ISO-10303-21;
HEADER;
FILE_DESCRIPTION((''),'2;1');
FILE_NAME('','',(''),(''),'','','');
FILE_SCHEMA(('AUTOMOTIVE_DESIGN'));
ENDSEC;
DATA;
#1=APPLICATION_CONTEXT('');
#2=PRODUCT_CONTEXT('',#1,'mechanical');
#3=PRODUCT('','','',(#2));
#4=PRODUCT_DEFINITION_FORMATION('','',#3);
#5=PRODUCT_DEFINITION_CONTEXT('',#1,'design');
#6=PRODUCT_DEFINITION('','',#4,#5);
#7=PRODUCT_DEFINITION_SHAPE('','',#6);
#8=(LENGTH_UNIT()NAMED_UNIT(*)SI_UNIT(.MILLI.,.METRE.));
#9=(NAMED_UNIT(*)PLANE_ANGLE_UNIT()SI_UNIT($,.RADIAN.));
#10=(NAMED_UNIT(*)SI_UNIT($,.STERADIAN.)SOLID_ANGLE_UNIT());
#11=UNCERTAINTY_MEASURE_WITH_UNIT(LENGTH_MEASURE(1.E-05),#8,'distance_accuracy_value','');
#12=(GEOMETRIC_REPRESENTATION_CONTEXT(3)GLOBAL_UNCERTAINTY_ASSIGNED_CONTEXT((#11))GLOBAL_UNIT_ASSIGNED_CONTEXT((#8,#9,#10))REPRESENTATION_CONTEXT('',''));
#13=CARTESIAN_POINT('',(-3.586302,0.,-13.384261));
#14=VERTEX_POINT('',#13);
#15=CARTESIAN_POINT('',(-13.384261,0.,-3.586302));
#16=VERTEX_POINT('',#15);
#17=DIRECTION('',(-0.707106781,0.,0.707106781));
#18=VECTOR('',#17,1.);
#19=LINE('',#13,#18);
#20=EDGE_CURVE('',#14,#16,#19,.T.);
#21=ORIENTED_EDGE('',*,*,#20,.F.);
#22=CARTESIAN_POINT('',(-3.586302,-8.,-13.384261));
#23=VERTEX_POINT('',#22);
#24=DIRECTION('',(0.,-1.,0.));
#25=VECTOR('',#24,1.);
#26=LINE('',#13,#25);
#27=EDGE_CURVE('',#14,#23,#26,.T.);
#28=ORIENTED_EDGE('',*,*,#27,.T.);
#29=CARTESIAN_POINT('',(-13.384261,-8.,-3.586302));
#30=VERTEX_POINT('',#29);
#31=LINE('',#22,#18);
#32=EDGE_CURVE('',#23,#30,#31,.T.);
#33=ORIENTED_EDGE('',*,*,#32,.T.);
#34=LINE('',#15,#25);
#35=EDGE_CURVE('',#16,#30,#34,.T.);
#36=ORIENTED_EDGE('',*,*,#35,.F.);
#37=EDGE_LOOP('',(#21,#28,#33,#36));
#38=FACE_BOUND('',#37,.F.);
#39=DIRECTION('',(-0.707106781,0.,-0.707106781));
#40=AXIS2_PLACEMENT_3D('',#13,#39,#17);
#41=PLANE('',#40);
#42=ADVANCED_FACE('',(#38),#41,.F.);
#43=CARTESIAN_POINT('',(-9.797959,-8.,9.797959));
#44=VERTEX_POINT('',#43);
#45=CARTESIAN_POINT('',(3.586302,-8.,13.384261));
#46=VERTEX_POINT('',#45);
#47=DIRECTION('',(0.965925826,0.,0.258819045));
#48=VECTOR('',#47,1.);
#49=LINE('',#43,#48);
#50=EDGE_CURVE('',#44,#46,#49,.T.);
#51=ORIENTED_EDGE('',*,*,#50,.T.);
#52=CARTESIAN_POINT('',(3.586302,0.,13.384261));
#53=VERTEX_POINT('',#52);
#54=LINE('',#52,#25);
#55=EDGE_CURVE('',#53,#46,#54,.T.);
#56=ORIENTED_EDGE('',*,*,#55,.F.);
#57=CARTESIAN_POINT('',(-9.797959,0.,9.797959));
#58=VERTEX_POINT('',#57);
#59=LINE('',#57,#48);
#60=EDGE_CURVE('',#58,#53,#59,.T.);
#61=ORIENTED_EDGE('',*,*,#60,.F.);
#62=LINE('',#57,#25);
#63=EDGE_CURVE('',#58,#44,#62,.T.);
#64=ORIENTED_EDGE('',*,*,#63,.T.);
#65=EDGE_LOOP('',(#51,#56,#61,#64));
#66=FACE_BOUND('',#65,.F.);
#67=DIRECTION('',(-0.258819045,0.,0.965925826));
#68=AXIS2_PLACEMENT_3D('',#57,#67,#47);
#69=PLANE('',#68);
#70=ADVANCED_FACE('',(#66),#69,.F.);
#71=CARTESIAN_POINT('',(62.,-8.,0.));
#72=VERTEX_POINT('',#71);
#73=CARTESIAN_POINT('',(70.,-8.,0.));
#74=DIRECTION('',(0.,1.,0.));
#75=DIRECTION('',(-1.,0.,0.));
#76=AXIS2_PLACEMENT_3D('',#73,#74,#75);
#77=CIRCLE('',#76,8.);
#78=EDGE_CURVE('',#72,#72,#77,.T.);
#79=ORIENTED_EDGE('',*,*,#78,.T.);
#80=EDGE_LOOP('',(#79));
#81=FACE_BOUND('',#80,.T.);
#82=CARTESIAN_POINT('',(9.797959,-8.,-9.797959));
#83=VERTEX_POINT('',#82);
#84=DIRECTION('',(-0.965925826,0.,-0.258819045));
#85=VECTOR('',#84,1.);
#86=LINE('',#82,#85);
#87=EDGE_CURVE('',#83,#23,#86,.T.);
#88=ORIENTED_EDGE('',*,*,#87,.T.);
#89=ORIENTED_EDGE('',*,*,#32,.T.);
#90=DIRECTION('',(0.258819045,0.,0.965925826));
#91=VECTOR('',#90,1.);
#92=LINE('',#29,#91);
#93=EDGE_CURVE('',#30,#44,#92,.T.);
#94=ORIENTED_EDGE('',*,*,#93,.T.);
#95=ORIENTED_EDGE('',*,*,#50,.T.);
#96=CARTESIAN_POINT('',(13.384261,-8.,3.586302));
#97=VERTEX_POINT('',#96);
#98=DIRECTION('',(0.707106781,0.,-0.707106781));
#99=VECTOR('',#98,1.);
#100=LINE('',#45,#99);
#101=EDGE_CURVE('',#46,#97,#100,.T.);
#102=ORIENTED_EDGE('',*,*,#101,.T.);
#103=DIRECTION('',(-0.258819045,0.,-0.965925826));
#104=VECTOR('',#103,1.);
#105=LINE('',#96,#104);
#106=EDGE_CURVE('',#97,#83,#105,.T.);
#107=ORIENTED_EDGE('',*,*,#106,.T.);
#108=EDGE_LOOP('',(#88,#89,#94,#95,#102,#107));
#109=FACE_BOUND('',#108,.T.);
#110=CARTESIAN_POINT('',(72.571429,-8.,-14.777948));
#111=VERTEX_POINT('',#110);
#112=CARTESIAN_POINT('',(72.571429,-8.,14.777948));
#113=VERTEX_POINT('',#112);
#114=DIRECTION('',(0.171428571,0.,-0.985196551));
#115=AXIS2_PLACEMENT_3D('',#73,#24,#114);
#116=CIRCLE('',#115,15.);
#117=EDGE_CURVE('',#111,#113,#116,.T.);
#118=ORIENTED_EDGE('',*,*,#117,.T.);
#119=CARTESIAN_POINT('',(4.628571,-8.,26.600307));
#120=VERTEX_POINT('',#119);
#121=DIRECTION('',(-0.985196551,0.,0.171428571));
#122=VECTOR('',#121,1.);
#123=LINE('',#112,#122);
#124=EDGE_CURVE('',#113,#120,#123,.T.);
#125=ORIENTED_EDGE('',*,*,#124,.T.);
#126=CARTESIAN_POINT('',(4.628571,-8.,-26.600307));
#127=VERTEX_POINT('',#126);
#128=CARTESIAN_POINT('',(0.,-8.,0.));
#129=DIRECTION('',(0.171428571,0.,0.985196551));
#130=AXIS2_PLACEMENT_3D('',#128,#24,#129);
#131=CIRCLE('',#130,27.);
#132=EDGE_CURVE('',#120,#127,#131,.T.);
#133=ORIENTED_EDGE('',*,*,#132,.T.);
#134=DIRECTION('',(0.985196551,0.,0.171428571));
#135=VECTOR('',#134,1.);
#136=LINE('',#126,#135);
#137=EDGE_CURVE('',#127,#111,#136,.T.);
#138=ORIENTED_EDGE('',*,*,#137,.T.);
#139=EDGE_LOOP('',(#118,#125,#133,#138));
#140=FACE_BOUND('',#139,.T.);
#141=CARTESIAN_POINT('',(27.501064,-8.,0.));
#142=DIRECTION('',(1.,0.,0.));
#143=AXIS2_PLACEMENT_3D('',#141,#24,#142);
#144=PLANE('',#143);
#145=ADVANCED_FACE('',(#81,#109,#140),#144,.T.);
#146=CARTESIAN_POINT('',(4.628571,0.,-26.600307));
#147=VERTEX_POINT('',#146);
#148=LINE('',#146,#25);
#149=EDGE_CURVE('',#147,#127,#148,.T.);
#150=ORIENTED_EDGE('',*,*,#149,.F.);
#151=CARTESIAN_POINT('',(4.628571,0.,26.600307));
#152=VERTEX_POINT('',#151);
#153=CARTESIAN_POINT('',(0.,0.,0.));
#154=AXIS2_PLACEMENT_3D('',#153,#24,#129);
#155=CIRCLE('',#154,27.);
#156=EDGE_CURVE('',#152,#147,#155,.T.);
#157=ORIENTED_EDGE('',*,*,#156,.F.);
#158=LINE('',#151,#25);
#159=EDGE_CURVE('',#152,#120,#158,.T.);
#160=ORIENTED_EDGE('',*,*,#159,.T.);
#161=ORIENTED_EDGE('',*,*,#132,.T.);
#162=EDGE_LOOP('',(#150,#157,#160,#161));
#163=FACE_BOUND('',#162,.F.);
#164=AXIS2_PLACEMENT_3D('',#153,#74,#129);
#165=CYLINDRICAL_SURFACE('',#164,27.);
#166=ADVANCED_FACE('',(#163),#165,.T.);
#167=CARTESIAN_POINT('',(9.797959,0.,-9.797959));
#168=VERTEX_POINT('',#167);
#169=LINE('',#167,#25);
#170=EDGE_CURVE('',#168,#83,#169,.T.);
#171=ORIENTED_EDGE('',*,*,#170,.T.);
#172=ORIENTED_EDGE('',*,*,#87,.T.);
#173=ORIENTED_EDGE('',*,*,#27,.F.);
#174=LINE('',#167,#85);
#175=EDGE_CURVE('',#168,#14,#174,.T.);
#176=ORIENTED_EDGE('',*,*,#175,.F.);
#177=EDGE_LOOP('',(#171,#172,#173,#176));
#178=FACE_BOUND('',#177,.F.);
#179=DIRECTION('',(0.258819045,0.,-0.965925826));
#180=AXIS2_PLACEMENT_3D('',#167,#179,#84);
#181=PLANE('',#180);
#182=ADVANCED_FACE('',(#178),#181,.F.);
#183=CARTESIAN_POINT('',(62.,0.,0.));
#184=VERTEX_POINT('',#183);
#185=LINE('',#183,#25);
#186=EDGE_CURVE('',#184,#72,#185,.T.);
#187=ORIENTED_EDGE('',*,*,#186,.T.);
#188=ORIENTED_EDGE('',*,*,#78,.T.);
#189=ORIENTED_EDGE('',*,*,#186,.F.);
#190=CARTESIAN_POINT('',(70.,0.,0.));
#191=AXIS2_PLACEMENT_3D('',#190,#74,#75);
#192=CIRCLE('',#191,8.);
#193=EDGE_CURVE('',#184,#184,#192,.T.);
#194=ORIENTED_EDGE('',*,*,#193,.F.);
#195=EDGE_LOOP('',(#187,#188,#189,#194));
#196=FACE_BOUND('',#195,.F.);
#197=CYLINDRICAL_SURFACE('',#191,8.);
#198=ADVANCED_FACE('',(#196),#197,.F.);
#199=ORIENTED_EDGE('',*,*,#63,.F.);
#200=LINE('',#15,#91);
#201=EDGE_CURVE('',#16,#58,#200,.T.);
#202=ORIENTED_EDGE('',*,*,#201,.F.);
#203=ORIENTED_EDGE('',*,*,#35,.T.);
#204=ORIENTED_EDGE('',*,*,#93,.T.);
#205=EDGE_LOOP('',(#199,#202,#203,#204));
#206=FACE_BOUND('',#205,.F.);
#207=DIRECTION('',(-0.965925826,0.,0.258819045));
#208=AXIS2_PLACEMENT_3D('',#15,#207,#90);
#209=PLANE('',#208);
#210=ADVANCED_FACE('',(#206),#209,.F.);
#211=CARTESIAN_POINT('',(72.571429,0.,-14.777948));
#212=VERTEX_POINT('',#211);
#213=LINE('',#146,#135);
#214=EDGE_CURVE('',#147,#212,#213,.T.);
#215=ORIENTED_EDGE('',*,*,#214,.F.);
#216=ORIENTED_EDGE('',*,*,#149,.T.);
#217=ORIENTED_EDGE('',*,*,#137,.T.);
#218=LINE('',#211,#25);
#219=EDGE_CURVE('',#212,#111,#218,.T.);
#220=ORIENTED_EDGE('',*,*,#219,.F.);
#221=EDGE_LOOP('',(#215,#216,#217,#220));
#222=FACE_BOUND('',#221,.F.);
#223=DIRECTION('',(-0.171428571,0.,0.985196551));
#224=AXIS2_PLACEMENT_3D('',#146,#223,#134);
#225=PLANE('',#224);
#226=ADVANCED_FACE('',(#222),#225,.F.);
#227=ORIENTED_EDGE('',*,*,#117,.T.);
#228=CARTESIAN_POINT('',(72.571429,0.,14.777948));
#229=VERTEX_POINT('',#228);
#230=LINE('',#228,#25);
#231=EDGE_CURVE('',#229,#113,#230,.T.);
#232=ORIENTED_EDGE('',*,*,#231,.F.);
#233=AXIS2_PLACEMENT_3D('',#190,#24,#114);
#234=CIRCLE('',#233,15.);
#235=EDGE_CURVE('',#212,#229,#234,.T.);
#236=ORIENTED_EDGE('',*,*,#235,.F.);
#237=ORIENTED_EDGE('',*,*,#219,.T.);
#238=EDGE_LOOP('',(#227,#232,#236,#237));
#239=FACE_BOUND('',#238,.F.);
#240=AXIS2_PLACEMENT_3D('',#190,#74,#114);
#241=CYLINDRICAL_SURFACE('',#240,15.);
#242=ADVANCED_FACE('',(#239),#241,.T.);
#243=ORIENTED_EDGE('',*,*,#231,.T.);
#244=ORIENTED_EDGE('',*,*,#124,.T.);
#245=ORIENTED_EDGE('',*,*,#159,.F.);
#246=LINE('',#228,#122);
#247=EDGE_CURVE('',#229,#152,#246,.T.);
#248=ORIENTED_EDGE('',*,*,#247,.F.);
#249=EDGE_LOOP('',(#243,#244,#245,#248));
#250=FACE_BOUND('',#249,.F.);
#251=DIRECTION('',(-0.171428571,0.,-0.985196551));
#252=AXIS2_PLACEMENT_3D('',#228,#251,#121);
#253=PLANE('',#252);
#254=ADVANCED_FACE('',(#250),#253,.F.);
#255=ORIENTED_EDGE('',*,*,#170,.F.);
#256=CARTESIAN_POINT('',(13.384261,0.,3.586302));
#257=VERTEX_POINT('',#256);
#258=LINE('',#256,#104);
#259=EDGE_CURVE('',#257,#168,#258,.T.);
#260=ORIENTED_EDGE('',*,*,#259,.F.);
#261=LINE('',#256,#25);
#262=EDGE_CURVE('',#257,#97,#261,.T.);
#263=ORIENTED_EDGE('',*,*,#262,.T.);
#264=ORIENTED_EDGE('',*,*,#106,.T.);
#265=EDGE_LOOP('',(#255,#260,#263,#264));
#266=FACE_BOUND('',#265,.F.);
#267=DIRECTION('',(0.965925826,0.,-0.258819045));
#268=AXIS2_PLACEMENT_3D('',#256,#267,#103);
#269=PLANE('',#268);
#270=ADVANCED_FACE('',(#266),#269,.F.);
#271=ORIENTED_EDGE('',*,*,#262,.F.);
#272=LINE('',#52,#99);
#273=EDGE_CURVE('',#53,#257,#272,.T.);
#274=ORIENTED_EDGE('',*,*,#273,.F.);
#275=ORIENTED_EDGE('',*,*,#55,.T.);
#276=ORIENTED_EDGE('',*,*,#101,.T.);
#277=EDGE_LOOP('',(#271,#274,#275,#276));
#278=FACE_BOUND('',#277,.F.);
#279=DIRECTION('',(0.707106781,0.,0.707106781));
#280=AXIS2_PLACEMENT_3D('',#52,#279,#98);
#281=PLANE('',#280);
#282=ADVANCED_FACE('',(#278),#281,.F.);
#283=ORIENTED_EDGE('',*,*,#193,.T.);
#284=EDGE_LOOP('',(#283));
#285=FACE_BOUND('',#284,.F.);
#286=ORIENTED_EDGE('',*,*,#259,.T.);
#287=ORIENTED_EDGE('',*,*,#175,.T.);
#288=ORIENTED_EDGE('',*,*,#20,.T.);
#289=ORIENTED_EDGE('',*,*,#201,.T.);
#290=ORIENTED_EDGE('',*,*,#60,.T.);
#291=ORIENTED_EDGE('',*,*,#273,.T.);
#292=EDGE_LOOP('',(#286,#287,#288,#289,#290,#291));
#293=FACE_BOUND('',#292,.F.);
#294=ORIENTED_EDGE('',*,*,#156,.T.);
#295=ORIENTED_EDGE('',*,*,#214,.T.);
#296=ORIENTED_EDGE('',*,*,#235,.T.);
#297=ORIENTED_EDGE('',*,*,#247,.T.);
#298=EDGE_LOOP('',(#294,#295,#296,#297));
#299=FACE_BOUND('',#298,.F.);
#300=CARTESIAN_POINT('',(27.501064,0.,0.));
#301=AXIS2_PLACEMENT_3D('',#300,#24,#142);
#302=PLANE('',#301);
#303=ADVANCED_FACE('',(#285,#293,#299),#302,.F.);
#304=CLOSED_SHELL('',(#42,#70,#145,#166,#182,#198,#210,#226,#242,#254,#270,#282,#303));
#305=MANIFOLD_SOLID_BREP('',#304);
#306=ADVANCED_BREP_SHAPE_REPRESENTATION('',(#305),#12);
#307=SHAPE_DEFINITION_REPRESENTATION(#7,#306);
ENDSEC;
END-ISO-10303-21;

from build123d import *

# Parameters (mm, degrees)
F1_DEPTH = 8


with BuildPart() as f1:
    # F0 (on Front) → F1 (new body)
    with BuildSketch(Plane.XZ):
        with BuildLine():
            Line((72.5714285714, 14.7779482711), (4.6285714286, 26.6003068879))
            ThreePointArc((4.6285714286, 26.6003068879), (-27, 0), (4.6285714286, -26.6003068879))
            Line((4.6285714286, -26.6003068879), (72.5714285714, -14.7779482711))
            ThreePointArc((72.5714285714, -14.7779482711), (85, 0), (72.5714285714, 14.7779482711))
        make_face()
        Polygon((3.5863018887, 13.3842608598), (13.3842608598, 3.5863018887), (12.4233141649, 0), (9.7979589711, -9.7979589711), (-3.5863018887, -13.3842608598), (-13.3842608598, -3.5863018887), (-9.7979589711, 9.7979589711), align=None, mode=Mode.SUBTRACT)
        with BuildLine():
            ThreePointArc((78, 0), (70, -8), (62, 0))
            ThreePointArc((62, 0), (70, 8), (78, 0))
        make_face(mode=Mode.SUBTRACT)
    extrude(amount=F1_DEPTH)


solid = f1.part
